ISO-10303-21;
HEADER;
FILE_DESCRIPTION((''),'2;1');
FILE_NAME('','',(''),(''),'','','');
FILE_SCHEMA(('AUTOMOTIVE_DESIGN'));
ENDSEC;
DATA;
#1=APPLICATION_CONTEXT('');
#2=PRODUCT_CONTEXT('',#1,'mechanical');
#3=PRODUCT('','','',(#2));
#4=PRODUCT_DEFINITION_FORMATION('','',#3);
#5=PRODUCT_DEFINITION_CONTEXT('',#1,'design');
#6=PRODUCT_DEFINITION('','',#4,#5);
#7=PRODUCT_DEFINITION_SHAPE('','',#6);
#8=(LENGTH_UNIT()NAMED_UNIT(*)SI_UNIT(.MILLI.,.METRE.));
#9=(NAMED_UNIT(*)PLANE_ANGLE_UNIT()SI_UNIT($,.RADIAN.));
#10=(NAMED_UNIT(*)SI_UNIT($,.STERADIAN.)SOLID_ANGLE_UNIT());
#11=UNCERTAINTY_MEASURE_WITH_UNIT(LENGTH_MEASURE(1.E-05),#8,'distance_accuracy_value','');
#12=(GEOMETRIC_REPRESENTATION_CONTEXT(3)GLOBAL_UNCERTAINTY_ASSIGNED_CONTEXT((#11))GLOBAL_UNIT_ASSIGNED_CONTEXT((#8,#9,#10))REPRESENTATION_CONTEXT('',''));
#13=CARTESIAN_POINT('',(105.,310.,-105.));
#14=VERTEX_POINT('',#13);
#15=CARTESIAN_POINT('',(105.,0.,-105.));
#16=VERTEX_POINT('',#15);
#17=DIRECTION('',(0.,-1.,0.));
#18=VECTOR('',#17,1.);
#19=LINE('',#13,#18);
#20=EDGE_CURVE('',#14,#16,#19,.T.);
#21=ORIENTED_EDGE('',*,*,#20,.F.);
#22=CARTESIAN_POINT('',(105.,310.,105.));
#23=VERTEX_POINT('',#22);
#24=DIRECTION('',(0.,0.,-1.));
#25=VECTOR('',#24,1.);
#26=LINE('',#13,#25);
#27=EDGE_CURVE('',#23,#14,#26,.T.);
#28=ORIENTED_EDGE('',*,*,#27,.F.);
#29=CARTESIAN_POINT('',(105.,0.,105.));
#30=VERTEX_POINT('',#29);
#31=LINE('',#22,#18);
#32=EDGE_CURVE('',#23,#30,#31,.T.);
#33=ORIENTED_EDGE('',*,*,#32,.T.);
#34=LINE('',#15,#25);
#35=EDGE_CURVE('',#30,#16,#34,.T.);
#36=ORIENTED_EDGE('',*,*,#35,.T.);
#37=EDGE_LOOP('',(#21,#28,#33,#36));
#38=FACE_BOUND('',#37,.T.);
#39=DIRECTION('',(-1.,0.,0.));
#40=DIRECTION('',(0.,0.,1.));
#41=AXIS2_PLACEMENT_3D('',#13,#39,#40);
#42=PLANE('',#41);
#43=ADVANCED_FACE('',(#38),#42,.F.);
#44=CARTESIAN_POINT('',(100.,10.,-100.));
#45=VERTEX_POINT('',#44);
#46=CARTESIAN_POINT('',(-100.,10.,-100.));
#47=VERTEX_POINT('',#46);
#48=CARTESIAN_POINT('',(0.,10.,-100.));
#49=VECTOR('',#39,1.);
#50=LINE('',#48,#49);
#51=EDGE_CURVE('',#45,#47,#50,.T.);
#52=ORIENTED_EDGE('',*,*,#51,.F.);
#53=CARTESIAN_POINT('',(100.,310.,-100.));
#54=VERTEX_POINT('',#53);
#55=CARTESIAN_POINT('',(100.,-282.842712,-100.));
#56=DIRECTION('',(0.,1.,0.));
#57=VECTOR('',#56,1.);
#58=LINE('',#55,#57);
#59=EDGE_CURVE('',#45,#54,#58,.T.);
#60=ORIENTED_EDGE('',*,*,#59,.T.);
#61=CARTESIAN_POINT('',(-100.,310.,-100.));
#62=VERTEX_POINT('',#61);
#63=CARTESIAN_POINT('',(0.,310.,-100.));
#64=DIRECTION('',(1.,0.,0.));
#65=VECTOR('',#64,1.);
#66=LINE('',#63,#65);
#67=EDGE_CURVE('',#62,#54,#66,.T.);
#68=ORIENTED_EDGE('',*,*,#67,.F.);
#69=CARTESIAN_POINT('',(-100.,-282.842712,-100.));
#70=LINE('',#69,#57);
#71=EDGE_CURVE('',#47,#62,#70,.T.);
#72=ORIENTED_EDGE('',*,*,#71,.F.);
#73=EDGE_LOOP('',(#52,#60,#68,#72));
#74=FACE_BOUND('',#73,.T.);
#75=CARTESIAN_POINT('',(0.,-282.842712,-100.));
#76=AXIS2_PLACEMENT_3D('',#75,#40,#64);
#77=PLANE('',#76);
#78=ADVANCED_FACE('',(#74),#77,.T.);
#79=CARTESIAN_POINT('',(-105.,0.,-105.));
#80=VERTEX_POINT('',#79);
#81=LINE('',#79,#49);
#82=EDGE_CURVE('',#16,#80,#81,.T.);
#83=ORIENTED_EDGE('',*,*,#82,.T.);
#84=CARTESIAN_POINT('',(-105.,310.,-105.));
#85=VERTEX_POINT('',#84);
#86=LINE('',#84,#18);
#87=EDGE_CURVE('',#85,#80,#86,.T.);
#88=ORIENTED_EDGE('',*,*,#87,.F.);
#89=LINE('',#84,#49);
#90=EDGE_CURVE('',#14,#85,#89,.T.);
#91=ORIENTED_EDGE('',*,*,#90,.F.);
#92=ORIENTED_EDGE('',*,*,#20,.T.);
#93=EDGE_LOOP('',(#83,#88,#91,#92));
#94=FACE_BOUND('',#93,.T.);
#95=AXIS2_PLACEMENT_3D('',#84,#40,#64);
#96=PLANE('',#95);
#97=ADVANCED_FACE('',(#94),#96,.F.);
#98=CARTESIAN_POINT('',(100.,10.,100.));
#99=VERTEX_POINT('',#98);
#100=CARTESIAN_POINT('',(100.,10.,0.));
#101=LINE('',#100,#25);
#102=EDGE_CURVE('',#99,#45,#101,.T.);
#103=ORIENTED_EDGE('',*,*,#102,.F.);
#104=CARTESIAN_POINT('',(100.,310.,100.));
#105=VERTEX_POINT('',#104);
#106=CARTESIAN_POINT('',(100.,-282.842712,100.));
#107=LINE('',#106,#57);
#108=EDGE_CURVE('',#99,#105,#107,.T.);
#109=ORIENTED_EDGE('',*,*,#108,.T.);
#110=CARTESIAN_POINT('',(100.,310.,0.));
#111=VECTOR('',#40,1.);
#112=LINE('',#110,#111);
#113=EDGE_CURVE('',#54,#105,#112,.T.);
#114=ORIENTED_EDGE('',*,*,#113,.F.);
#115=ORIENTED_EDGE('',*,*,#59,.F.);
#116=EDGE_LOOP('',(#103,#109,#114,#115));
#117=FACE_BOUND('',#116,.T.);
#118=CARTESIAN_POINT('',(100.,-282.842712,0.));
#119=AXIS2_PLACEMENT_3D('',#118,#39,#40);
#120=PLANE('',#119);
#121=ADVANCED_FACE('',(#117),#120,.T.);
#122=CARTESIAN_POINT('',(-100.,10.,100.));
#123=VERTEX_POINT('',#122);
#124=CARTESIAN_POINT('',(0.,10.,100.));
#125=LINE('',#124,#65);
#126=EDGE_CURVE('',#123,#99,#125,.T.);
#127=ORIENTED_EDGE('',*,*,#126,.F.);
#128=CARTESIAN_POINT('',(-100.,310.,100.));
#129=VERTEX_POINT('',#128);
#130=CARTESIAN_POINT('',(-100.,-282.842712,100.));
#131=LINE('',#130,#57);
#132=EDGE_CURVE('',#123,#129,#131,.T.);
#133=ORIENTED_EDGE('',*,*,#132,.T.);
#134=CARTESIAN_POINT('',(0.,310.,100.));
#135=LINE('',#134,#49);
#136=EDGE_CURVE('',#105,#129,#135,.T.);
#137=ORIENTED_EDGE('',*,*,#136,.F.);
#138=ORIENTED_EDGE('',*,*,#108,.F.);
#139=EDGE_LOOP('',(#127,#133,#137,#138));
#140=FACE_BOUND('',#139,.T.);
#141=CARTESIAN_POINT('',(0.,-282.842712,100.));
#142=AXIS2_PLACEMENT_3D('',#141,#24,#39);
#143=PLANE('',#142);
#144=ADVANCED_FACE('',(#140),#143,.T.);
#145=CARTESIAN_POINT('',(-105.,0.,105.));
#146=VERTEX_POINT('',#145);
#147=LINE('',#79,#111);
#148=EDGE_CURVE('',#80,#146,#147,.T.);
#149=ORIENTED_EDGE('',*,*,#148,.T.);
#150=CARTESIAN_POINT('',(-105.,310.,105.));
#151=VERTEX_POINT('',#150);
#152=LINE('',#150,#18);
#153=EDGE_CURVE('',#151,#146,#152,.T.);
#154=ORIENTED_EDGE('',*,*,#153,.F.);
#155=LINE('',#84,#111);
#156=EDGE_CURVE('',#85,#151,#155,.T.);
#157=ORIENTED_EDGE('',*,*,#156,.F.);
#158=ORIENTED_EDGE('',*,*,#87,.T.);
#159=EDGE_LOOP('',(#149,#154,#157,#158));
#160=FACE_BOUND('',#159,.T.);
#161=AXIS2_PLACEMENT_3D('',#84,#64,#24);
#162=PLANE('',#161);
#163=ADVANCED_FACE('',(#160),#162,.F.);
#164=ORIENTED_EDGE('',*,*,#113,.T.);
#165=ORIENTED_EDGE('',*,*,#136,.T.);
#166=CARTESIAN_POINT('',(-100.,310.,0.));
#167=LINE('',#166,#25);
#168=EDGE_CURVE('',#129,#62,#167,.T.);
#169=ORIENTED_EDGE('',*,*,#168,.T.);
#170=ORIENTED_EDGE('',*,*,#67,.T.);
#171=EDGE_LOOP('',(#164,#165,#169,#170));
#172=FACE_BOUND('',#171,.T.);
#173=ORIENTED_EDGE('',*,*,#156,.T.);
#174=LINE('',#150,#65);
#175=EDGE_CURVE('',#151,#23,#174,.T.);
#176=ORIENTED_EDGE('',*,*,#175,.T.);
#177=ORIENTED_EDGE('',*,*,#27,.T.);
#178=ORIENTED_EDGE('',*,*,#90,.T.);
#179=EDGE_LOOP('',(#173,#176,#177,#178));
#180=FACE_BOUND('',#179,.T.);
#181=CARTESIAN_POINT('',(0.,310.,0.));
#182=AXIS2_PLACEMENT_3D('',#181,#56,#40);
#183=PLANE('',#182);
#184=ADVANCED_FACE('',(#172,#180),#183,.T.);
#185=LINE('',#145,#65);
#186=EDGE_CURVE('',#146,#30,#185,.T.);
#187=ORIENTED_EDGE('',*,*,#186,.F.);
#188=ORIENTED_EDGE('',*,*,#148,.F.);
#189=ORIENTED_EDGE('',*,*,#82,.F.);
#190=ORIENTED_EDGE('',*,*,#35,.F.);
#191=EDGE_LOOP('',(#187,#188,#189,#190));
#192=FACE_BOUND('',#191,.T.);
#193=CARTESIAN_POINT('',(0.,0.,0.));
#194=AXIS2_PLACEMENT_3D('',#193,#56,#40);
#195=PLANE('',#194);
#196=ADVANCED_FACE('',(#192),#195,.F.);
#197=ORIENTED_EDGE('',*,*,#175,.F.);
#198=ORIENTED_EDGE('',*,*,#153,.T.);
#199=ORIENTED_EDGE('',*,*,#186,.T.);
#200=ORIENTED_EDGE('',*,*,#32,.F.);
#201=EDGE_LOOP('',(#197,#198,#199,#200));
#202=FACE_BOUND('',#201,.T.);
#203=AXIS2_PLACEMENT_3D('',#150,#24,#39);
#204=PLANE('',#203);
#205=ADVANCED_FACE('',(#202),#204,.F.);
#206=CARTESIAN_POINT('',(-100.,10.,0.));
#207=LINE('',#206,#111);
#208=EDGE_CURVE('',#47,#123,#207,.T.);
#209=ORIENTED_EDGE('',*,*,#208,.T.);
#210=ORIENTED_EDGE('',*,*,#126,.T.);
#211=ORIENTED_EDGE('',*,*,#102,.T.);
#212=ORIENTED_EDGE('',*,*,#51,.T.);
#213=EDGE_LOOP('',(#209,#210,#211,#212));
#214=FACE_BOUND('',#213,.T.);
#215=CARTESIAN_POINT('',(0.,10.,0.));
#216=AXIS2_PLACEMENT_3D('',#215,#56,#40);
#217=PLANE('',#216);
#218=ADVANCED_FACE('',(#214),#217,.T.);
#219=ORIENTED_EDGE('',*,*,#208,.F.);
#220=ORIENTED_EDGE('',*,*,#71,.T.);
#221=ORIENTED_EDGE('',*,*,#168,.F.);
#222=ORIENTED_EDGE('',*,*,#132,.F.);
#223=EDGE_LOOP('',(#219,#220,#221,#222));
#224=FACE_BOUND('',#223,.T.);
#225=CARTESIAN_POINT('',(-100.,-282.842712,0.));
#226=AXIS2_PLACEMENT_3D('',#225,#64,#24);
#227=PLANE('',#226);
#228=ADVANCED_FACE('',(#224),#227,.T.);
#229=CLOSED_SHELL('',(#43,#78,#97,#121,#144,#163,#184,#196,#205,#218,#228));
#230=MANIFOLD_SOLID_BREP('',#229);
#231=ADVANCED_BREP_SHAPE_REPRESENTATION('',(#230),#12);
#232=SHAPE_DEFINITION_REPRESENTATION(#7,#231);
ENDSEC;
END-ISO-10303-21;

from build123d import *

# Parameters (mm, degrees)
SKETCH_1_W          = 210
SKETCH_1_H          = 210
EXTRUDE_1_DEPTH     = 310
CUT_EXTRUDE_START   = 310
SKETCH_2_W          = 200
SKETCH_2_H          = 200
CUT_EXTRUDE_1_DEPTH = 300


with BuildPart() as part:
    # 草图1 → 凸台-拉伸1 (new body)
    with BuildSketch(Plane(origin=(0, 0, 0), x_dir=(1, 0, 0), z_dir=(0, 1, 0))):
        Rectangle(SKETCH_1_W, SKETCH_1_H)
    extrude(amount=EXTRUDE_1_DEPTH)

    # 草图2 → 切除-拉伸1 (cut)
    with BuildSketch(Plane(origin=(0, 0, 0), x_dir=(1, 0, 0), z_dir=(0, 1, 0)).offset(CUT_EXTRUDE_START)):
        Rectangle(SKETCH_2_W, SKETCH_2_H)
    extrude(amount=-CUT_EXTRUDE_1_DEPTH, mode=Mode.SUBTRACT)


solid = part.part
